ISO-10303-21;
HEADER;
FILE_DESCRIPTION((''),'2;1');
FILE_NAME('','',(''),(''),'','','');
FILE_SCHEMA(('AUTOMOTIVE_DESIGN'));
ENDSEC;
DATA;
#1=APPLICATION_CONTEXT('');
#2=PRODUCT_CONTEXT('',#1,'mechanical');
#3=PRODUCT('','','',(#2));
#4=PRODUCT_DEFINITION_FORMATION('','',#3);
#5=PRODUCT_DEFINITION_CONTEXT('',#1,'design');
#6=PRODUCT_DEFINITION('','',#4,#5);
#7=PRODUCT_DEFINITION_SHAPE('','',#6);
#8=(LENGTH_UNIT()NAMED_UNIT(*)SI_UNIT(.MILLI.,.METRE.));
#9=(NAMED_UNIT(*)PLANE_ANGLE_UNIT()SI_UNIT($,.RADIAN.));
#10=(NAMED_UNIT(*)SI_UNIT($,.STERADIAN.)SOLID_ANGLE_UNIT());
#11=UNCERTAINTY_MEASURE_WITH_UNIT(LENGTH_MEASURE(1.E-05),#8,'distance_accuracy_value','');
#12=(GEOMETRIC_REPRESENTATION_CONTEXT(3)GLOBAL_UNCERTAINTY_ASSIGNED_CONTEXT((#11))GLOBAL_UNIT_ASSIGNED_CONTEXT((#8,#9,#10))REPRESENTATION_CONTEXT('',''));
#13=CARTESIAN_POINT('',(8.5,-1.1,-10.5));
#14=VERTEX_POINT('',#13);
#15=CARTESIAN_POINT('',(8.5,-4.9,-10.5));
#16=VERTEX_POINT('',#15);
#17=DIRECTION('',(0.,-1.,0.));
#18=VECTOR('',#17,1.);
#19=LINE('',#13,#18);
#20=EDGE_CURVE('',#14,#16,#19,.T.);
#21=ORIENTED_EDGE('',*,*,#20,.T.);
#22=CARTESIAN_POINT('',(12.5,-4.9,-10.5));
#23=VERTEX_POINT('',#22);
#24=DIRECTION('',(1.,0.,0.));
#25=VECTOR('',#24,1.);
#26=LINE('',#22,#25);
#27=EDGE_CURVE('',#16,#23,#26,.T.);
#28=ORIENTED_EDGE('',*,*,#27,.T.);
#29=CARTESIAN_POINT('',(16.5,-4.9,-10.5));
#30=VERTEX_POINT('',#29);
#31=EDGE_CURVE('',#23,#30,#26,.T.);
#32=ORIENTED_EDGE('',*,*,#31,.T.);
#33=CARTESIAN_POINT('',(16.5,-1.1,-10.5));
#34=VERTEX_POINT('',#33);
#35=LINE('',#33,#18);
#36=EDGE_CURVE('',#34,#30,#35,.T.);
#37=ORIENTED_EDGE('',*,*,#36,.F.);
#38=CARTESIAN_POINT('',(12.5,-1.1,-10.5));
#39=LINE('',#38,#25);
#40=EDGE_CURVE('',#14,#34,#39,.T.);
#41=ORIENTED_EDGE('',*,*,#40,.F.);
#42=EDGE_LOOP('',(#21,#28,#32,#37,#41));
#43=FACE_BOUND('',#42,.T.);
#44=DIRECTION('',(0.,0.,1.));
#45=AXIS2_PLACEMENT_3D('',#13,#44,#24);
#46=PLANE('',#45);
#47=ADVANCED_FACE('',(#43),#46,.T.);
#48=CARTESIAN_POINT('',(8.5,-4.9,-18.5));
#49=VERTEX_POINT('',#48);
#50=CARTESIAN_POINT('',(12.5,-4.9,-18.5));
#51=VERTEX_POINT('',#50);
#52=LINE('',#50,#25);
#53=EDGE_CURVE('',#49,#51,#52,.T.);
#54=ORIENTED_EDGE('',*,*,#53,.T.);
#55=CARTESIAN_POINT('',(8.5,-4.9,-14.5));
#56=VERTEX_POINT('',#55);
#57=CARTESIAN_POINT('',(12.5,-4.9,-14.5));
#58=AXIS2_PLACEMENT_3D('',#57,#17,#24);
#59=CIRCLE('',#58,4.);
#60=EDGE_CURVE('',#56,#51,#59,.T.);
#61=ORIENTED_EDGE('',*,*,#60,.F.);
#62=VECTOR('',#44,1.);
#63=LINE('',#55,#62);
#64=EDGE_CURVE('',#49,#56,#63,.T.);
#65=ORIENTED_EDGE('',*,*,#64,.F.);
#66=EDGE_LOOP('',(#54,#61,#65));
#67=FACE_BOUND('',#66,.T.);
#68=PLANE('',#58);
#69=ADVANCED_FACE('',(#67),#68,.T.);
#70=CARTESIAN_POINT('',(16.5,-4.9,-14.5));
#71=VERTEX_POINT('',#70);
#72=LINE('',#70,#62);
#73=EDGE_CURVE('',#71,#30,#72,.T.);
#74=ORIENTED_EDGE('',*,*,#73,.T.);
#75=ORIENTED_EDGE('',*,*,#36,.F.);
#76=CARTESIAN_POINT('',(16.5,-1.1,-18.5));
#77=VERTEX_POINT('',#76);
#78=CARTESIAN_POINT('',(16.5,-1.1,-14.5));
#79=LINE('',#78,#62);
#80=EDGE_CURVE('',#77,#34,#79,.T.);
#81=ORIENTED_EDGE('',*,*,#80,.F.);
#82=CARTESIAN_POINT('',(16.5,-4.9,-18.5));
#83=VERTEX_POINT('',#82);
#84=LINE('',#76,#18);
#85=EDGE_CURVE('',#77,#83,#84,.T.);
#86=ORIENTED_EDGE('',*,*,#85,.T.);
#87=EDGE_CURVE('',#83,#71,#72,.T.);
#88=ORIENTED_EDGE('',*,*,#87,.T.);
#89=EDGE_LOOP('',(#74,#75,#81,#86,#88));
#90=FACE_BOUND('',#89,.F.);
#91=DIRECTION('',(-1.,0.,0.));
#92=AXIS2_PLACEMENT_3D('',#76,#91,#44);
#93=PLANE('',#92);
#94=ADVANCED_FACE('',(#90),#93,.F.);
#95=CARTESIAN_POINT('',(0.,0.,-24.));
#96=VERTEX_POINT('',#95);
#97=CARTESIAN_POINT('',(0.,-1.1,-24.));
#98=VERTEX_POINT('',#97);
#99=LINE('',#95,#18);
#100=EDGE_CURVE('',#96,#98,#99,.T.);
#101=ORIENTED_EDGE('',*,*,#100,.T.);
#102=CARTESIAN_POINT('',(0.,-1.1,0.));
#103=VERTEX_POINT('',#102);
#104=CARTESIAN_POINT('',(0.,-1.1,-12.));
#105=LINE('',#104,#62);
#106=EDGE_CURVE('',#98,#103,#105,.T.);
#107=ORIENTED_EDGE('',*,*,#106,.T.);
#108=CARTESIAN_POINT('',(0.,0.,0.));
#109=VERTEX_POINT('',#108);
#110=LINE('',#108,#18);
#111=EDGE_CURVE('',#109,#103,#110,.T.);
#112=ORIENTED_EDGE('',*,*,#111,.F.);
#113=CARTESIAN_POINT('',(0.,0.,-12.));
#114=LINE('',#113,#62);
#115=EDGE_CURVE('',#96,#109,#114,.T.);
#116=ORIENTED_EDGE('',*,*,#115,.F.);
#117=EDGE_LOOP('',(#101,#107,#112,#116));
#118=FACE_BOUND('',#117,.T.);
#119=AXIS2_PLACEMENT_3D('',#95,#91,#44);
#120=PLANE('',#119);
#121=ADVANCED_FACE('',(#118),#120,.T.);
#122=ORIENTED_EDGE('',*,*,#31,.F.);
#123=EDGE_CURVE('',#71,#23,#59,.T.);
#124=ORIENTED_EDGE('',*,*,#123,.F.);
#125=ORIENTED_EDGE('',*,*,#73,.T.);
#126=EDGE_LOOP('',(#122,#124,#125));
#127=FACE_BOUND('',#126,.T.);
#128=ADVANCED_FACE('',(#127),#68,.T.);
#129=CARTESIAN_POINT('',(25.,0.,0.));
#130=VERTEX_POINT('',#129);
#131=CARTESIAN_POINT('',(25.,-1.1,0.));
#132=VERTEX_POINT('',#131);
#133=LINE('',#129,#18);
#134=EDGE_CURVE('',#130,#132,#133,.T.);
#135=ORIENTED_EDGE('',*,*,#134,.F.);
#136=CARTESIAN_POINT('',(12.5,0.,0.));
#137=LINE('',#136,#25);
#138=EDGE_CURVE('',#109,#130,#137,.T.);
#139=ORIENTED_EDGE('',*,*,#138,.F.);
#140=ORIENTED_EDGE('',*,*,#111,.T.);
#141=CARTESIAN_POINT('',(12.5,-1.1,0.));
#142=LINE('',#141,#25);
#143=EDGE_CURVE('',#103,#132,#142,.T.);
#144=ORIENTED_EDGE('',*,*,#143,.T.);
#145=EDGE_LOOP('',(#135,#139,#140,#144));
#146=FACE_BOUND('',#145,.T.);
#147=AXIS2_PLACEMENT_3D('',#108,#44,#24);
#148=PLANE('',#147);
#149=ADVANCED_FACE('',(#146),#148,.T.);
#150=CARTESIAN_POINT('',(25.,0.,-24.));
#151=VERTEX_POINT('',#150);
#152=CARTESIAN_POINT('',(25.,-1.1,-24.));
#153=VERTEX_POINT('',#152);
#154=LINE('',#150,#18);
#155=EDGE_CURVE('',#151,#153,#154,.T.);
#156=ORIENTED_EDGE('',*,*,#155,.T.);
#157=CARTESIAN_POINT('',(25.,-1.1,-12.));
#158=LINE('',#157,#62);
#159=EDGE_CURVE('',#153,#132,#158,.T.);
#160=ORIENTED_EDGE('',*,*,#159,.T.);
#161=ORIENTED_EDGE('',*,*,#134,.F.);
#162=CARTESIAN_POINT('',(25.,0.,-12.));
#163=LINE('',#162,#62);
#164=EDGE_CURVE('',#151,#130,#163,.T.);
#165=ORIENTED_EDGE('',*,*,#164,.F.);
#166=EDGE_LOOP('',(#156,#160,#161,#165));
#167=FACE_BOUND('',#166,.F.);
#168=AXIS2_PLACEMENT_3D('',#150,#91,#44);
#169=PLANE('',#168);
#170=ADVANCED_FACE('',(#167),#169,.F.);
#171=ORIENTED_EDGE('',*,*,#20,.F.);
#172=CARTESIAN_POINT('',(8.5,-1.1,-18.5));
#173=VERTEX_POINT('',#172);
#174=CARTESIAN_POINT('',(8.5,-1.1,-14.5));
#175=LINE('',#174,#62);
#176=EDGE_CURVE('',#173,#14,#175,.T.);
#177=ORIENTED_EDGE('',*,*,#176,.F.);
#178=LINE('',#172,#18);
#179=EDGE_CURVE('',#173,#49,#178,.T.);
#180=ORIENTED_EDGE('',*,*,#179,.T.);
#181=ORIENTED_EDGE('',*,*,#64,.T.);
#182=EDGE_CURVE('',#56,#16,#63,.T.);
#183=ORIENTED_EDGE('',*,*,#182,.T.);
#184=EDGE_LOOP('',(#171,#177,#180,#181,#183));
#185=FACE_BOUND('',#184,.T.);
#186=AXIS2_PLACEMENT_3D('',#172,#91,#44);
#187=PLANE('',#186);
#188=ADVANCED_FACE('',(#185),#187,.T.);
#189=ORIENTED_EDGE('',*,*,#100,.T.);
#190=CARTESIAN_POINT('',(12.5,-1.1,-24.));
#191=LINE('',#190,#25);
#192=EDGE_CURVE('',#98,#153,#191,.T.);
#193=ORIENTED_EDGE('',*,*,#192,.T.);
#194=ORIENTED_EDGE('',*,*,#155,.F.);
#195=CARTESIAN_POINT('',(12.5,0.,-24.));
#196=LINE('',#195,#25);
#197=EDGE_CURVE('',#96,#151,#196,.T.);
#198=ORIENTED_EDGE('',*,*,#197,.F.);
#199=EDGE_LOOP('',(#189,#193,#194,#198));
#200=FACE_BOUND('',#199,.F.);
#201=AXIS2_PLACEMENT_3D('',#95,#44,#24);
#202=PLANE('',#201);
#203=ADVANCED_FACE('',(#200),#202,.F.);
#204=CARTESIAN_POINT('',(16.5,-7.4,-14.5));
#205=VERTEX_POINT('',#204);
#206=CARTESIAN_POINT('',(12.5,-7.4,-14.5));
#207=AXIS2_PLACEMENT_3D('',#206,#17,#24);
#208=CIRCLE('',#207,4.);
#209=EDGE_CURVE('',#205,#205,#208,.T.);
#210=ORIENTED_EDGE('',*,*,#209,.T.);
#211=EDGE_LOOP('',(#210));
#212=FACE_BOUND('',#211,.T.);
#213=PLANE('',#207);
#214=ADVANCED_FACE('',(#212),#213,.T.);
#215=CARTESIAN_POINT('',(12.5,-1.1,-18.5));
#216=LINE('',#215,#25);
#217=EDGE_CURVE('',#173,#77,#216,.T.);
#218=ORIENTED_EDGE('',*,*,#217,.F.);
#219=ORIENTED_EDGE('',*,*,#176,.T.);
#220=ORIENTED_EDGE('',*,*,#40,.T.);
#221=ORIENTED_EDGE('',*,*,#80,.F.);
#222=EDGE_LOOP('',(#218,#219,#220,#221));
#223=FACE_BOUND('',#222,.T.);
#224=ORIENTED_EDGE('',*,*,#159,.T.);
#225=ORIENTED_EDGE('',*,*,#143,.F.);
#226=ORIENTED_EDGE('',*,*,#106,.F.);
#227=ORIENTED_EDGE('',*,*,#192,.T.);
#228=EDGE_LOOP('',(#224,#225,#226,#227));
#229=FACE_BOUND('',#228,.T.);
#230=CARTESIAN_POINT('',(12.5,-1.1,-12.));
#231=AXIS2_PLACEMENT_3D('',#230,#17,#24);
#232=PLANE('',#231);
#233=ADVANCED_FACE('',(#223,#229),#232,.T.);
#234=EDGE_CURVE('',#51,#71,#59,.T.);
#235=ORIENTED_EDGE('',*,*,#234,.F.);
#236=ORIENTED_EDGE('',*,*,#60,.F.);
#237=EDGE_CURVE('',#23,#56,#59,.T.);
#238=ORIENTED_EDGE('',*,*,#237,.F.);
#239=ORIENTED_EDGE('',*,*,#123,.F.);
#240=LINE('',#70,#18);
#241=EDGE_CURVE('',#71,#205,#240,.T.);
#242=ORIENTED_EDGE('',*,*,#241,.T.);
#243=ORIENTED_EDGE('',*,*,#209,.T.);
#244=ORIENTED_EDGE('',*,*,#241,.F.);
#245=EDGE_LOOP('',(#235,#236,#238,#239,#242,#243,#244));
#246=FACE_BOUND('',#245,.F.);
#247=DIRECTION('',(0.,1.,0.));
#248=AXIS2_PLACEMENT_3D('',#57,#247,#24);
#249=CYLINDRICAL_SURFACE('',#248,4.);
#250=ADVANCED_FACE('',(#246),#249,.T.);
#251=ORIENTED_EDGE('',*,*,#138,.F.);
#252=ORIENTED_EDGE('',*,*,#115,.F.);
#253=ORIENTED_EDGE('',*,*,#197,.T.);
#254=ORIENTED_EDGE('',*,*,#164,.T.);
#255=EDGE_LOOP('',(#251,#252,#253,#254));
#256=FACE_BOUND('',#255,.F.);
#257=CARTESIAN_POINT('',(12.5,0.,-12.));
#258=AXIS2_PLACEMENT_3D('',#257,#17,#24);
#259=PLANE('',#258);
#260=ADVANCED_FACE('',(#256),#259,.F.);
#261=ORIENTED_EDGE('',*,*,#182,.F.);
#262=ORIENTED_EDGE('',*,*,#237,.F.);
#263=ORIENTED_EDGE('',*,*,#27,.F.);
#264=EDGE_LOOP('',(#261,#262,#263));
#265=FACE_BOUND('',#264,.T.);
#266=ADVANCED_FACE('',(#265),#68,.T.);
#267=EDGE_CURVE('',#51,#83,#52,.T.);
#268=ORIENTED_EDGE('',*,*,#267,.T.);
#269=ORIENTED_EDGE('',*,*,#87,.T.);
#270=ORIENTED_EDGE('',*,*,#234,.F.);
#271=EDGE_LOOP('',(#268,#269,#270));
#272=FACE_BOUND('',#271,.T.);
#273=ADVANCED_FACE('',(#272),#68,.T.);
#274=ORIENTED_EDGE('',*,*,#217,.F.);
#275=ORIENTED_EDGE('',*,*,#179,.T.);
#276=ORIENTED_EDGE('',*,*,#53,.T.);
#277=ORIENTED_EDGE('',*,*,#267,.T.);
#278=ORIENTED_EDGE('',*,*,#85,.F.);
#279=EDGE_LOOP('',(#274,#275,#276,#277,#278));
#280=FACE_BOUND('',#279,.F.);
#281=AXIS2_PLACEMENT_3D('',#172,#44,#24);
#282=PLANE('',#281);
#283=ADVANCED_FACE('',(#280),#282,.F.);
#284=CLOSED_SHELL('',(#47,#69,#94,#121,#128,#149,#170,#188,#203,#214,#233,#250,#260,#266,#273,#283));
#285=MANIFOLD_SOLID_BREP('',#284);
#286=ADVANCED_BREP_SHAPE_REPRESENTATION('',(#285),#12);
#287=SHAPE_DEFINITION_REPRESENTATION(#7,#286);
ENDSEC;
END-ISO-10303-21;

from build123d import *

# Parameters (mm, degrees)
F0_W     = 25
F0_H     = 24
F1_DEPTH = 1.1
F2_W     = 8
F2_H     = 8
F3_DEPTH = 3.8
F4_R     = 4
F5_DEPTH = 2.5


with BuildPart() as f1:
    # F0 (on Front) → F1 (new body)
    with BuildSketch(Plane.XZ):
        with Locations((12.5, -12)):
            Rectangle(F0_W, F0_H)
    extrude(amount=F1_DEPTH)

    # F2 (on face) → F3 (join)
    with BuildSketch(Plane.XZ.offset(1.1)):
        with Locations((12.5, -14.5)):
            Rectangle(F2_W, F2_H)
    extrude(amount=F3_DEPTH)

    # F4 (on face) → F5 (join)
    with BuildSketch(Plane.XZ.offset(4.9)):
        with Locations((12.5, -14.5)):
            Circle(F4_R)
    extrude(amount=F5_DEPTH)


solid = f1.part
